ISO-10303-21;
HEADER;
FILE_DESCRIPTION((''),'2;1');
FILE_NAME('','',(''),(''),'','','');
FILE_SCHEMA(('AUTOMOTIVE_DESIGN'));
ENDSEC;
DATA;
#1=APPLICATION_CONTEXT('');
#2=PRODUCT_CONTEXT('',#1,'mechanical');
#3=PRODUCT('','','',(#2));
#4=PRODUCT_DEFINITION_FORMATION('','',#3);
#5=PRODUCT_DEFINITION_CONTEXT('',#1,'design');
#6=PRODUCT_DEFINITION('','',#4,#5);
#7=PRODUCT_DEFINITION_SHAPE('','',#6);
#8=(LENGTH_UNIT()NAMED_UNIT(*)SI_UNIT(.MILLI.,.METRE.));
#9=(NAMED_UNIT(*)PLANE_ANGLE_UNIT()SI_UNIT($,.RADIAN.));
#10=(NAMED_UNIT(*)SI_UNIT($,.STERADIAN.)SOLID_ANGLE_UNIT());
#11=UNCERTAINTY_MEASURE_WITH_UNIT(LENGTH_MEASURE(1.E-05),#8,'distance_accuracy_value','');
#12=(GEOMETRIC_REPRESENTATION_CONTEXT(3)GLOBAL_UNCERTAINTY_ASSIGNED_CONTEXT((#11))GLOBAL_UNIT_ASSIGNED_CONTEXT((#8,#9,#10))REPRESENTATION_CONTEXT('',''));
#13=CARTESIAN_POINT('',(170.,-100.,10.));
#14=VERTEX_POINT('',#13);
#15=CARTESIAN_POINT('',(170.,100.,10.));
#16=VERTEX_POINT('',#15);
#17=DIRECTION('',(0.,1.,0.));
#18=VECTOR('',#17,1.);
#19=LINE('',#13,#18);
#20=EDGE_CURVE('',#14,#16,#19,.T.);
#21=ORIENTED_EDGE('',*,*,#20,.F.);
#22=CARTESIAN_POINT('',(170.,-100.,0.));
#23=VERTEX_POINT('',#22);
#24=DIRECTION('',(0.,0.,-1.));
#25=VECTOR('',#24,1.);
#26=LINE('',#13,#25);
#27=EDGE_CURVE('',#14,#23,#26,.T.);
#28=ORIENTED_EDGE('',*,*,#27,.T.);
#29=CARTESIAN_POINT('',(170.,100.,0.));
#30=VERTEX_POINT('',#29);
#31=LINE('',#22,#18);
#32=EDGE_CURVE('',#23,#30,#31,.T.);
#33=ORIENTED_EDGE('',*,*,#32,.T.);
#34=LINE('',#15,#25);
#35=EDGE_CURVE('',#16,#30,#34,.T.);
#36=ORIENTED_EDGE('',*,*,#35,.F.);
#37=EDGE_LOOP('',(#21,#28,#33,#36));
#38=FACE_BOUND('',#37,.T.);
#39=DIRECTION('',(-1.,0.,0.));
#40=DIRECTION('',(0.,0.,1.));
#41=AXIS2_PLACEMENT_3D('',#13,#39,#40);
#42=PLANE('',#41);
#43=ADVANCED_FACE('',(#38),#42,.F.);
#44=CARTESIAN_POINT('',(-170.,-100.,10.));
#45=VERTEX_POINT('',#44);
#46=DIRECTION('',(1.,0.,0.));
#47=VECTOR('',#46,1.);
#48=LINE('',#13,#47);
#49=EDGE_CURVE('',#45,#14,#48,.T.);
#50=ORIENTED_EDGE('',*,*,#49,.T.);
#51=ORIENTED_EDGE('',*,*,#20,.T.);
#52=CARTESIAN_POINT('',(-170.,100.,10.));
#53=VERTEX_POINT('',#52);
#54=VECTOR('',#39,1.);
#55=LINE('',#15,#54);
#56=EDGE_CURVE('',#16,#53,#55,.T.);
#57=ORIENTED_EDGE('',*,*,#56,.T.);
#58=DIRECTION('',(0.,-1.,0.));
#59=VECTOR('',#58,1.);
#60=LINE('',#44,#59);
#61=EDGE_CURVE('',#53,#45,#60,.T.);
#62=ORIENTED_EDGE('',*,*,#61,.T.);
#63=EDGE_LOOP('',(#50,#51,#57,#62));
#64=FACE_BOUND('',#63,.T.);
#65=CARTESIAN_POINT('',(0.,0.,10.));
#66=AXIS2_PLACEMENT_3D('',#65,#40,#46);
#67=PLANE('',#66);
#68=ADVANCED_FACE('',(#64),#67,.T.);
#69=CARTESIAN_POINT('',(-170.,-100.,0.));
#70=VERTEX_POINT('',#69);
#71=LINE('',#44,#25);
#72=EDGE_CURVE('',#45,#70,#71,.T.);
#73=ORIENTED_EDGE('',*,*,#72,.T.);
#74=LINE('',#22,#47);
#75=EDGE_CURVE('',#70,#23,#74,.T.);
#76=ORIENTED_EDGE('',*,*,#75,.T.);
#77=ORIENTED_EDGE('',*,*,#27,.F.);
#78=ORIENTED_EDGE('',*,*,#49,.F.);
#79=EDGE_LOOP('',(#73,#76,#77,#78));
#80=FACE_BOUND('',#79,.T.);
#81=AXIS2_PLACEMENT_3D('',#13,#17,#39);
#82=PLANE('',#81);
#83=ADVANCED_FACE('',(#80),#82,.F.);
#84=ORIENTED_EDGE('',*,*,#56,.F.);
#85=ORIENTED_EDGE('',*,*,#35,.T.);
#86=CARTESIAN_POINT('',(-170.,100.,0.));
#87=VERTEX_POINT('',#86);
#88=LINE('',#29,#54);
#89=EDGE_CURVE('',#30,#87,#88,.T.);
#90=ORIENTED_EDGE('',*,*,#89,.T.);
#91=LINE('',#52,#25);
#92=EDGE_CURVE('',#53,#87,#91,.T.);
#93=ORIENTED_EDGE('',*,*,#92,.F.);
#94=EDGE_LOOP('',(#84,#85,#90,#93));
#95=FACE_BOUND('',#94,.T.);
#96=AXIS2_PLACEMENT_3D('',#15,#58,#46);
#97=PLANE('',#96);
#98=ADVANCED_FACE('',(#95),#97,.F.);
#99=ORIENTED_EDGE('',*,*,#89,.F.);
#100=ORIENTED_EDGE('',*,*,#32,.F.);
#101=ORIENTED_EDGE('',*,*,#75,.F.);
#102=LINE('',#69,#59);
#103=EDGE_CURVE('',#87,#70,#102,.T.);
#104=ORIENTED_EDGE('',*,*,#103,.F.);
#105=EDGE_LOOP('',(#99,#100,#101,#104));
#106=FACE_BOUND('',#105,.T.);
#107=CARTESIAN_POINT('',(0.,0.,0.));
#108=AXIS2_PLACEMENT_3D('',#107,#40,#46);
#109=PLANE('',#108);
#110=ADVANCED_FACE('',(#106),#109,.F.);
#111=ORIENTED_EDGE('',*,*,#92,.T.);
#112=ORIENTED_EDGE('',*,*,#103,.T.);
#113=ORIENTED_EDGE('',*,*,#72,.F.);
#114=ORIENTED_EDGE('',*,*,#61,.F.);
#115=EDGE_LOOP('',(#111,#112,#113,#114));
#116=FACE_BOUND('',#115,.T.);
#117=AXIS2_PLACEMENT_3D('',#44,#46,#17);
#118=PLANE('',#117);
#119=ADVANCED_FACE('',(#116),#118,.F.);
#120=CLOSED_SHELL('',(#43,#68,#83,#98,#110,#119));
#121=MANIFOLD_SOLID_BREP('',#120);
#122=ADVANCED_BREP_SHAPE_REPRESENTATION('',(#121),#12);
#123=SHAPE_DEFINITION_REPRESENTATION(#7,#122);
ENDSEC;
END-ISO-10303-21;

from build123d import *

# Parameters (mm, degrees)
SKETCH_1_W      = 340
SKETCH_1_H      = 200
EXTRUDE_1_DEPTH = 10


with BuildPart() as part:
    # 草图1 → 凸台-拉伸1 (new body)
    with BuildSketch(Plane.XY):
        Rectangle(SKETCH_1_W, SKETCH_1_H)
    extrude(amount=EXTRUDE_1_DEPTH)


solid = part.part
